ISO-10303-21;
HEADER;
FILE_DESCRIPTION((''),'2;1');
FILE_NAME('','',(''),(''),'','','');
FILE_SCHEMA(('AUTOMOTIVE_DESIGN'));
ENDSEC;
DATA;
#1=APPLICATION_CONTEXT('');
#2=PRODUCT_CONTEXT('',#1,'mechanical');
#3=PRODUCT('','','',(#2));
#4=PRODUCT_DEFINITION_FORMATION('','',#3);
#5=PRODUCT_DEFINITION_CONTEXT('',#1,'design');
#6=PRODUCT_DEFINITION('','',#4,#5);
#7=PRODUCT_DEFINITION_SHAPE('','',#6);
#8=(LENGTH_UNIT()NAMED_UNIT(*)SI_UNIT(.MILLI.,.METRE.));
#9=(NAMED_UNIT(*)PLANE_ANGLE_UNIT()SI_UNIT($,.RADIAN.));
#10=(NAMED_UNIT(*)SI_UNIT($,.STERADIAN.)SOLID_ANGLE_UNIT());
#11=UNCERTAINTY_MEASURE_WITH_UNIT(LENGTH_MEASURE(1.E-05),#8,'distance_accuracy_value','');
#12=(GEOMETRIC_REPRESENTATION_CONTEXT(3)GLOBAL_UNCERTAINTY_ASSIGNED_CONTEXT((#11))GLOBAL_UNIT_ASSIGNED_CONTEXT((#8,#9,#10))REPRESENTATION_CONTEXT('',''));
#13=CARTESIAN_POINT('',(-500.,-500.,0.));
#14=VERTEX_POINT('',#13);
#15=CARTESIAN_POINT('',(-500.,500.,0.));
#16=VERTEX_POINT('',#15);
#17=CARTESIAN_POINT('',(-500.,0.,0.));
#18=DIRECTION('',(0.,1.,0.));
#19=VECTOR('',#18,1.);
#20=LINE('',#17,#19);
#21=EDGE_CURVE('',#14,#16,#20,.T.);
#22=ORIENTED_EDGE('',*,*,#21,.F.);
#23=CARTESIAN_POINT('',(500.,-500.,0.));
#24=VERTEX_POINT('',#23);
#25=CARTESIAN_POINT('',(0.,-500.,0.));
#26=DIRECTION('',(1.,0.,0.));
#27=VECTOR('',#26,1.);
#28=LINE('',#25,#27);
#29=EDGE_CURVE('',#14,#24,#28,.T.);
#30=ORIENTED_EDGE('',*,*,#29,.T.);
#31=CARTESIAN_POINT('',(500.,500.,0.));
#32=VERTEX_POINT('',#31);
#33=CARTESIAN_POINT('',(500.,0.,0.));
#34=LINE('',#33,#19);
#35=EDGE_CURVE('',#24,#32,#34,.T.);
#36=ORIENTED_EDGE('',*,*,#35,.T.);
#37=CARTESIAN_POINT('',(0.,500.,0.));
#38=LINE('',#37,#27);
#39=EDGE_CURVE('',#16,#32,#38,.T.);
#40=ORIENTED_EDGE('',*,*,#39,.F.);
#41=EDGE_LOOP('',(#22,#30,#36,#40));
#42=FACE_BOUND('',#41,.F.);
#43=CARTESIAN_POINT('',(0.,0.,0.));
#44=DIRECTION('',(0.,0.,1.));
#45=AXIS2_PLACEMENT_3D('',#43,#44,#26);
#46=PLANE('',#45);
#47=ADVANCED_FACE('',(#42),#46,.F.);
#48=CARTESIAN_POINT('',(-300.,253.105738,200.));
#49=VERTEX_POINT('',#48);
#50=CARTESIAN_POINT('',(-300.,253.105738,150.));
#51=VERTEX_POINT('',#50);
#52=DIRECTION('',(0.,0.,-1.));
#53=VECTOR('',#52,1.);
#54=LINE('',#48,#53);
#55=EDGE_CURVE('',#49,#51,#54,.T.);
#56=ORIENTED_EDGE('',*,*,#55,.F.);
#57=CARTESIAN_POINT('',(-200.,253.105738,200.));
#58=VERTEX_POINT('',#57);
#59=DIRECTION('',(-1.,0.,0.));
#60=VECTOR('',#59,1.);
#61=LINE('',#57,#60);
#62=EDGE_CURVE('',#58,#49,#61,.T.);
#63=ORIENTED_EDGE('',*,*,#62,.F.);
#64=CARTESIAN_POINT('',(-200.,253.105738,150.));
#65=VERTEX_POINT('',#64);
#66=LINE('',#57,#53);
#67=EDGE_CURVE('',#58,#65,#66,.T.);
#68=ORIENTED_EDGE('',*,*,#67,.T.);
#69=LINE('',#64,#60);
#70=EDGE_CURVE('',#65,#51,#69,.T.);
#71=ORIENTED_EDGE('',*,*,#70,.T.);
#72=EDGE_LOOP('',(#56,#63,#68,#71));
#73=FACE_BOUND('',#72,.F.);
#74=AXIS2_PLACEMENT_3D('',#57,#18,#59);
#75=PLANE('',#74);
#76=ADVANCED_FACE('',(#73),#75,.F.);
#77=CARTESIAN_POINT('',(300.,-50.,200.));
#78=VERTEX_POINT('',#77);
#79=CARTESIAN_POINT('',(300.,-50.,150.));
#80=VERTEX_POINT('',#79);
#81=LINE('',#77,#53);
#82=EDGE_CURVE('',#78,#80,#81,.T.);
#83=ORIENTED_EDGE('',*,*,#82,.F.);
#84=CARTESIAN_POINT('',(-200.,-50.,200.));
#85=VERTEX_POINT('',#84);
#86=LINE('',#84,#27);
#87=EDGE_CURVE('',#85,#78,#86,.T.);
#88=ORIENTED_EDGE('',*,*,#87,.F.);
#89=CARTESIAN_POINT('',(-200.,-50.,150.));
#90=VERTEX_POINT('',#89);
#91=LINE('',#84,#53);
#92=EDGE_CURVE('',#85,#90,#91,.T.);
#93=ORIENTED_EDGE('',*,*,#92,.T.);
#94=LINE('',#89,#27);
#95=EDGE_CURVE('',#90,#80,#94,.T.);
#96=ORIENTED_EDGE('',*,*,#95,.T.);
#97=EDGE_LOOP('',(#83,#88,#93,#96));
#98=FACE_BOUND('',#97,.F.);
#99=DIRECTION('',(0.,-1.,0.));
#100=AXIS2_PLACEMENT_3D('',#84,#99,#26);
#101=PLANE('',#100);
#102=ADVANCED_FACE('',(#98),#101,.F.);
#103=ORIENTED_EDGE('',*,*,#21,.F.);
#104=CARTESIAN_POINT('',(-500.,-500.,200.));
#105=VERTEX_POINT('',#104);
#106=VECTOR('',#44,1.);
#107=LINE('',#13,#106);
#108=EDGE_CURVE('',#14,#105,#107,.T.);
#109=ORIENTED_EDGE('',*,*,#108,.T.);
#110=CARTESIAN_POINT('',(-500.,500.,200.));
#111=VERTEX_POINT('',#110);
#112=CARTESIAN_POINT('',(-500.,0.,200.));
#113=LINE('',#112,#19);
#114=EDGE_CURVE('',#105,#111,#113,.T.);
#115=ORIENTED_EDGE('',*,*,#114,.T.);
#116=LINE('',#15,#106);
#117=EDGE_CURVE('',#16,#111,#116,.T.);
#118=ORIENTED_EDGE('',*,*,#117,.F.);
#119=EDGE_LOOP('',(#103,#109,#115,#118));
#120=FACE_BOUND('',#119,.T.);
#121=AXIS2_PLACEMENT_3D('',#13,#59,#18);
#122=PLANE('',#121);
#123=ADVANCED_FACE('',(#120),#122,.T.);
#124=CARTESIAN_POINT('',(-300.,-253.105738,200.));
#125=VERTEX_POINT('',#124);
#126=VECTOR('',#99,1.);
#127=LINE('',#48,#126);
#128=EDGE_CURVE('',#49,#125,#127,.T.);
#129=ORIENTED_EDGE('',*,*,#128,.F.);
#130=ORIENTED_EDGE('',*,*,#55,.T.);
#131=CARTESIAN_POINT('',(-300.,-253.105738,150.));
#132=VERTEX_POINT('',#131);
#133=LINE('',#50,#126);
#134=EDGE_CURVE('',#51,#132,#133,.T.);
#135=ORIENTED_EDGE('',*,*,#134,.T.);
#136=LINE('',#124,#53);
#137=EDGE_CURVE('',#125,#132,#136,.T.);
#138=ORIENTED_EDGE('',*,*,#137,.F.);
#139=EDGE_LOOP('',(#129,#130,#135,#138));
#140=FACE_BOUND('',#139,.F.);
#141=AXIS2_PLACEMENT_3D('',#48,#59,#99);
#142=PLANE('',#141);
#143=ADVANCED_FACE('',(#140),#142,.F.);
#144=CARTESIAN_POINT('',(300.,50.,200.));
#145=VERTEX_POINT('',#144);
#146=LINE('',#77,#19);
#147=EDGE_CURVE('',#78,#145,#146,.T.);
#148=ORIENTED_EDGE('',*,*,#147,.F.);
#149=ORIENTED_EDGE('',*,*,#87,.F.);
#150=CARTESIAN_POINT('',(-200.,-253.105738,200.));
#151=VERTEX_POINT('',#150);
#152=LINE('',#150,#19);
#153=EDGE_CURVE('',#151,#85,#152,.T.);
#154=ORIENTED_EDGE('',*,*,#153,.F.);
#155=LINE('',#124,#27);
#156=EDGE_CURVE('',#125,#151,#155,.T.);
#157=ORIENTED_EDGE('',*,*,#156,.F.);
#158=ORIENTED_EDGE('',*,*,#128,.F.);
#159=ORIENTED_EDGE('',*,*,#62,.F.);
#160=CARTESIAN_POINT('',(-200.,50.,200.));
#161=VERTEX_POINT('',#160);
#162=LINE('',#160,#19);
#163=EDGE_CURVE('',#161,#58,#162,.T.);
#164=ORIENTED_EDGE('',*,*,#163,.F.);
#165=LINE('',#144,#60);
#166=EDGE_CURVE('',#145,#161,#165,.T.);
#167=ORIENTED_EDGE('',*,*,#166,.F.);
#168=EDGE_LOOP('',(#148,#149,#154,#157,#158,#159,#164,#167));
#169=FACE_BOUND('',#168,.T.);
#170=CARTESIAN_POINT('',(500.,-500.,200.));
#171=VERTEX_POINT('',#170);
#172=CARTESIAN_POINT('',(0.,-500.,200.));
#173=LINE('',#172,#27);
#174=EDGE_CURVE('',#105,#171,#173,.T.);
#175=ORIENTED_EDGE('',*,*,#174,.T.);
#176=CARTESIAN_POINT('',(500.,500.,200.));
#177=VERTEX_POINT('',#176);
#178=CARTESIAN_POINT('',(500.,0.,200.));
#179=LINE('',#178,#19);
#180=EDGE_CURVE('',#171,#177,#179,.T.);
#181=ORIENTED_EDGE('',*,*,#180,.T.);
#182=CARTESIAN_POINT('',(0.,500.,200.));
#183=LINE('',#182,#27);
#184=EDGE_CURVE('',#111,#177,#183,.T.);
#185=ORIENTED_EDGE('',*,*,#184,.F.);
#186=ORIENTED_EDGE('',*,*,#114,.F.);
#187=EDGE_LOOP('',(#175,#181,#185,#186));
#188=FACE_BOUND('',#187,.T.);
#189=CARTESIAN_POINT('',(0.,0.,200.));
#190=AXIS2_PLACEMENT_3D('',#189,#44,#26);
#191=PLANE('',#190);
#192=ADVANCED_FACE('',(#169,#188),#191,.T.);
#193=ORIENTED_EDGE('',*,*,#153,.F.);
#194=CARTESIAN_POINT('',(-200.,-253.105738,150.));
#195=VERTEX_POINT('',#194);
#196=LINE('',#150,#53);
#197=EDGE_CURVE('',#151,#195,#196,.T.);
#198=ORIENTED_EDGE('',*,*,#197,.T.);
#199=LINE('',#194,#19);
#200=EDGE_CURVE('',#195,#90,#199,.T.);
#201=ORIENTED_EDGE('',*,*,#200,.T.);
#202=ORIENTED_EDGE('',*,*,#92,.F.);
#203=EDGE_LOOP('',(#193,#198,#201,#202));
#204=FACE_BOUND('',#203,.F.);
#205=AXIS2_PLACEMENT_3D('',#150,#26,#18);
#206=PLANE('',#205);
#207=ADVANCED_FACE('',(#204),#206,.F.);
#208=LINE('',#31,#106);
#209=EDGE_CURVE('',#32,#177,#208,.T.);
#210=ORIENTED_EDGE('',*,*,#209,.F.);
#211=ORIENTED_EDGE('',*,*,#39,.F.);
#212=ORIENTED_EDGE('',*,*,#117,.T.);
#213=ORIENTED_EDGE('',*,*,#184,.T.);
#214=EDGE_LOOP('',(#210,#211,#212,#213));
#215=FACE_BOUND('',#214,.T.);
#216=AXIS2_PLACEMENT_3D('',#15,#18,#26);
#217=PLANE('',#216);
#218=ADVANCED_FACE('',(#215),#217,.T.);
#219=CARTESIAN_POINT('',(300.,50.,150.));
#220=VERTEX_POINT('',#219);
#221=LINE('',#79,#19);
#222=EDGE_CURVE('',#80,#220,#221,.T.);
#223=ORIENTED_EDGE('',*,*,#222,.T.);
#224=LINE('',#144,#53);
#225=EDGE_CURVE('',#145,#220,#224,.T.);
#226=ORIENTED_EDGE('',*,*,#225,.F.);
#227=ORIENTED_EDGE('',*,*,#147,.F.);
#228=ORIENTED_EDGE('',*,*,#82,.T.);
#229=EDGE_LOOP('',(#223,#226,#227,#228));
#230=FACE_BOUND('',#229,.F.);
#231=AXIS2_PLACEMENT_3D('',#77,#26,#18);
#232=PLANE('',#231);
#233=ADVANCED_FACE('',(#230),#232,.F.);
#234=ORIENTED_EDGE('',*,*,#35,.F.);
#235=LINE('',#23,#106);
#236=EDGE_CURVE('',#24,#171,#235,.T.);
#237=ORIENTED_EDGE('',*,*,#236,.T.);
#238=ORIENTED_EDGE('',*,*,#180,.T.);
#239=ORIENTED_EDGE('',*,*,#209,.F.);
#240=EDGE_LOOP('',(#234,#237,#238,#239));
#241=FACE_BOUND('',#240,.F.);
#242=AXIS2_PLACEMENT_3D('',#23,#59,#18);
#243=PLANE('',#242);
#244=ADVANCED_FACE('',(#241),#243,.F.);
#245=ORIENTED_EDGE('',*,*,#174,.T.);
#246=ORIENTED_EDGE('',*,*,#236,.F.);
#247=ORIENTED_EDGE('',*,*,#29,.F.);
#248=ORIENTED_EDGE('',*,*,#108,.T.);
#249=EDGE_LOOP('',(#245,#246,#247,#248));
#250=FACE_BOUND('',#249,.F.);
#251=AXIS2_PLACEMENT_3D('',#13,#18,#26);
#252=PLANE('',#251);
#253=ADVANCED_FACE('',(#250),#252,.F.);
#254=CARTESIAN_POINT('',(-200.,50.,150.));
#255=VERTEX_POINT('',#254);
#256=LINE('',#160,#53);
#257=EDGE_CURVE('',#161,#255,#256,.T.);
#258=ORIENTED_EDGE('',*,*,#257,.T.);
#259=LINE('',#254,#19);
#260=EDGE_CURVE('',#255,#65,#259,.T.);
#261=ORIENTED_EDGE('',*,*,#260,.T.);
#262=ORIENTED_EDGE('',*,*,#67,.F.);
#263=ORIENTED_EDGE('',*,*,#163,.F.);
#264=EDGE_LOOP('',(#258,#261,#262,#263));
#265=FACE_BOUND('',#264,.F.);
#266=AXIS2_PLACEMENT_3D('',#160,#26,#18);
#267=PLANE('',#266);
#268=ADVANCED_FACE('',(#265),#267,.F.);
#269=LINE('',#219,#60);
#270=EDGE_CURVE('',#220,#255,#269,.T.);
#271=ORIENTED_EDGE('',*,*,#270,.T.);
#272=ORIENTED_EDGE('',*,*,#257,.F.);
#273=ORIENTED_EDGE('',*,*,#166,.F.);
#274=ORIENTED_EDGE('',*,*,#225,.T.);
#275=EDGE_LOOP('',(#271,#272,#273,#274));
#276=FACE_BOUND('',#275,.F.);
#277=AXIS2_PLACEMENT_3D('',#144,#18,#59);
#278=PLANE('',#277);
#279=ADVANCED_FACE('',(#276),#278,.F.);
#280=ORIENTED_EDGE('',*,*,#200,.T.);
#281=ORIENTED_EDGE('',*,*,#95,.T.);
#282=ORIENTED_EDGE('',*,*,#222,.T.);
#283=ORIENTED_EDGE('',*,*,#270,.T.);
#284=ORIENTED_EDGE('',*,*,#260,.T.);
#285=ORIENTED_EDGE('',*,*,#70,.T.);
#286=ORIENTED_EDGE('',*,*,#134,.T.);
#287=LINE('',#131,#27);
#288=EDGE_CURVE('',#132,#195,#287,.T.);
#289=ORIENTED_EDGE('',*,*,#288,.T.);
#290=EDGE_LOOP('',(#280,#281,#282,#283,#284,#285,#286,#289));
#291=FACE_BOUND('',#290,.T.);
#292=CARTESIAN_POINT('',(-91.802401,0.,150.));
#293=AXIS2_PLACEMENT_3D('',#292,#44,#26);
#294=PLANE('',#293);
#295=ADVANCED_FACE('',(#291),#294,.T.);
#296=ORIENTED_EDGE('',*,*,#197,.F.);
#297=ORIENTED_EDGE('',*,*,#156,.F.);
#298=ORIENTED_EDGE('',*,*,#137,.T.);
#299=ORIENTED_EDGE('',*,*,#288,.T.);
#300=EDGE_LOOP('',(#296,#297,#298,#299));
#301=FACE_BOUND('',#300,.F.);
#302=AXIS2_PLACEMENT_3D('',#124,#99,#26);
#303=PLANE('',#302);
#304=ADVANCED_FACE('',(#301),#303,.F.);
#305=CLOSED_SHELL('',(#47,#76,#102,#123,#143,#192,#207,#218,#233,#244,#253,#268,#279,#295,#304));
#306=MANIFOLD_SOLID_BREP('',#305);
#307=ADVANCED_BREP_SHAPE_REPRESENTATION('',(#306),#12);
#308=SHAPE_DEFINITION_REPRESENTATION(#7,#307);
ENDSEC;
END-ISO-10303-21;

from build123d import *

# Parameters (mm, degrees)
SKETCH_W     = 1000
SKETCH_H     = 1000
PAD_DEPTH    = 200
POCKET_DEPTH = 50


with BuildPart() as part:
    # Sketch → Pad (new body)
    with BuildSketch(Plane.XY):
        Rectangle(SKETCH_W, SKETCH_H)
    extrude(amount=PAD_DEPTH)

    # Sketch001 → Pocket (cut)
    with BuildSketch(Plane.XY.offset(200)):
        Polygon((-300, 253.105738), (-300, -253.105738), (-200, -253.105738), (-200, -50), (300, -50), (300, 50), (-200, 50), (-200, 253.105738), align=None)
    extrude(amount=-POCKET_DEPTH, mode=Mode.SUBTRACT)


solid = part.part
